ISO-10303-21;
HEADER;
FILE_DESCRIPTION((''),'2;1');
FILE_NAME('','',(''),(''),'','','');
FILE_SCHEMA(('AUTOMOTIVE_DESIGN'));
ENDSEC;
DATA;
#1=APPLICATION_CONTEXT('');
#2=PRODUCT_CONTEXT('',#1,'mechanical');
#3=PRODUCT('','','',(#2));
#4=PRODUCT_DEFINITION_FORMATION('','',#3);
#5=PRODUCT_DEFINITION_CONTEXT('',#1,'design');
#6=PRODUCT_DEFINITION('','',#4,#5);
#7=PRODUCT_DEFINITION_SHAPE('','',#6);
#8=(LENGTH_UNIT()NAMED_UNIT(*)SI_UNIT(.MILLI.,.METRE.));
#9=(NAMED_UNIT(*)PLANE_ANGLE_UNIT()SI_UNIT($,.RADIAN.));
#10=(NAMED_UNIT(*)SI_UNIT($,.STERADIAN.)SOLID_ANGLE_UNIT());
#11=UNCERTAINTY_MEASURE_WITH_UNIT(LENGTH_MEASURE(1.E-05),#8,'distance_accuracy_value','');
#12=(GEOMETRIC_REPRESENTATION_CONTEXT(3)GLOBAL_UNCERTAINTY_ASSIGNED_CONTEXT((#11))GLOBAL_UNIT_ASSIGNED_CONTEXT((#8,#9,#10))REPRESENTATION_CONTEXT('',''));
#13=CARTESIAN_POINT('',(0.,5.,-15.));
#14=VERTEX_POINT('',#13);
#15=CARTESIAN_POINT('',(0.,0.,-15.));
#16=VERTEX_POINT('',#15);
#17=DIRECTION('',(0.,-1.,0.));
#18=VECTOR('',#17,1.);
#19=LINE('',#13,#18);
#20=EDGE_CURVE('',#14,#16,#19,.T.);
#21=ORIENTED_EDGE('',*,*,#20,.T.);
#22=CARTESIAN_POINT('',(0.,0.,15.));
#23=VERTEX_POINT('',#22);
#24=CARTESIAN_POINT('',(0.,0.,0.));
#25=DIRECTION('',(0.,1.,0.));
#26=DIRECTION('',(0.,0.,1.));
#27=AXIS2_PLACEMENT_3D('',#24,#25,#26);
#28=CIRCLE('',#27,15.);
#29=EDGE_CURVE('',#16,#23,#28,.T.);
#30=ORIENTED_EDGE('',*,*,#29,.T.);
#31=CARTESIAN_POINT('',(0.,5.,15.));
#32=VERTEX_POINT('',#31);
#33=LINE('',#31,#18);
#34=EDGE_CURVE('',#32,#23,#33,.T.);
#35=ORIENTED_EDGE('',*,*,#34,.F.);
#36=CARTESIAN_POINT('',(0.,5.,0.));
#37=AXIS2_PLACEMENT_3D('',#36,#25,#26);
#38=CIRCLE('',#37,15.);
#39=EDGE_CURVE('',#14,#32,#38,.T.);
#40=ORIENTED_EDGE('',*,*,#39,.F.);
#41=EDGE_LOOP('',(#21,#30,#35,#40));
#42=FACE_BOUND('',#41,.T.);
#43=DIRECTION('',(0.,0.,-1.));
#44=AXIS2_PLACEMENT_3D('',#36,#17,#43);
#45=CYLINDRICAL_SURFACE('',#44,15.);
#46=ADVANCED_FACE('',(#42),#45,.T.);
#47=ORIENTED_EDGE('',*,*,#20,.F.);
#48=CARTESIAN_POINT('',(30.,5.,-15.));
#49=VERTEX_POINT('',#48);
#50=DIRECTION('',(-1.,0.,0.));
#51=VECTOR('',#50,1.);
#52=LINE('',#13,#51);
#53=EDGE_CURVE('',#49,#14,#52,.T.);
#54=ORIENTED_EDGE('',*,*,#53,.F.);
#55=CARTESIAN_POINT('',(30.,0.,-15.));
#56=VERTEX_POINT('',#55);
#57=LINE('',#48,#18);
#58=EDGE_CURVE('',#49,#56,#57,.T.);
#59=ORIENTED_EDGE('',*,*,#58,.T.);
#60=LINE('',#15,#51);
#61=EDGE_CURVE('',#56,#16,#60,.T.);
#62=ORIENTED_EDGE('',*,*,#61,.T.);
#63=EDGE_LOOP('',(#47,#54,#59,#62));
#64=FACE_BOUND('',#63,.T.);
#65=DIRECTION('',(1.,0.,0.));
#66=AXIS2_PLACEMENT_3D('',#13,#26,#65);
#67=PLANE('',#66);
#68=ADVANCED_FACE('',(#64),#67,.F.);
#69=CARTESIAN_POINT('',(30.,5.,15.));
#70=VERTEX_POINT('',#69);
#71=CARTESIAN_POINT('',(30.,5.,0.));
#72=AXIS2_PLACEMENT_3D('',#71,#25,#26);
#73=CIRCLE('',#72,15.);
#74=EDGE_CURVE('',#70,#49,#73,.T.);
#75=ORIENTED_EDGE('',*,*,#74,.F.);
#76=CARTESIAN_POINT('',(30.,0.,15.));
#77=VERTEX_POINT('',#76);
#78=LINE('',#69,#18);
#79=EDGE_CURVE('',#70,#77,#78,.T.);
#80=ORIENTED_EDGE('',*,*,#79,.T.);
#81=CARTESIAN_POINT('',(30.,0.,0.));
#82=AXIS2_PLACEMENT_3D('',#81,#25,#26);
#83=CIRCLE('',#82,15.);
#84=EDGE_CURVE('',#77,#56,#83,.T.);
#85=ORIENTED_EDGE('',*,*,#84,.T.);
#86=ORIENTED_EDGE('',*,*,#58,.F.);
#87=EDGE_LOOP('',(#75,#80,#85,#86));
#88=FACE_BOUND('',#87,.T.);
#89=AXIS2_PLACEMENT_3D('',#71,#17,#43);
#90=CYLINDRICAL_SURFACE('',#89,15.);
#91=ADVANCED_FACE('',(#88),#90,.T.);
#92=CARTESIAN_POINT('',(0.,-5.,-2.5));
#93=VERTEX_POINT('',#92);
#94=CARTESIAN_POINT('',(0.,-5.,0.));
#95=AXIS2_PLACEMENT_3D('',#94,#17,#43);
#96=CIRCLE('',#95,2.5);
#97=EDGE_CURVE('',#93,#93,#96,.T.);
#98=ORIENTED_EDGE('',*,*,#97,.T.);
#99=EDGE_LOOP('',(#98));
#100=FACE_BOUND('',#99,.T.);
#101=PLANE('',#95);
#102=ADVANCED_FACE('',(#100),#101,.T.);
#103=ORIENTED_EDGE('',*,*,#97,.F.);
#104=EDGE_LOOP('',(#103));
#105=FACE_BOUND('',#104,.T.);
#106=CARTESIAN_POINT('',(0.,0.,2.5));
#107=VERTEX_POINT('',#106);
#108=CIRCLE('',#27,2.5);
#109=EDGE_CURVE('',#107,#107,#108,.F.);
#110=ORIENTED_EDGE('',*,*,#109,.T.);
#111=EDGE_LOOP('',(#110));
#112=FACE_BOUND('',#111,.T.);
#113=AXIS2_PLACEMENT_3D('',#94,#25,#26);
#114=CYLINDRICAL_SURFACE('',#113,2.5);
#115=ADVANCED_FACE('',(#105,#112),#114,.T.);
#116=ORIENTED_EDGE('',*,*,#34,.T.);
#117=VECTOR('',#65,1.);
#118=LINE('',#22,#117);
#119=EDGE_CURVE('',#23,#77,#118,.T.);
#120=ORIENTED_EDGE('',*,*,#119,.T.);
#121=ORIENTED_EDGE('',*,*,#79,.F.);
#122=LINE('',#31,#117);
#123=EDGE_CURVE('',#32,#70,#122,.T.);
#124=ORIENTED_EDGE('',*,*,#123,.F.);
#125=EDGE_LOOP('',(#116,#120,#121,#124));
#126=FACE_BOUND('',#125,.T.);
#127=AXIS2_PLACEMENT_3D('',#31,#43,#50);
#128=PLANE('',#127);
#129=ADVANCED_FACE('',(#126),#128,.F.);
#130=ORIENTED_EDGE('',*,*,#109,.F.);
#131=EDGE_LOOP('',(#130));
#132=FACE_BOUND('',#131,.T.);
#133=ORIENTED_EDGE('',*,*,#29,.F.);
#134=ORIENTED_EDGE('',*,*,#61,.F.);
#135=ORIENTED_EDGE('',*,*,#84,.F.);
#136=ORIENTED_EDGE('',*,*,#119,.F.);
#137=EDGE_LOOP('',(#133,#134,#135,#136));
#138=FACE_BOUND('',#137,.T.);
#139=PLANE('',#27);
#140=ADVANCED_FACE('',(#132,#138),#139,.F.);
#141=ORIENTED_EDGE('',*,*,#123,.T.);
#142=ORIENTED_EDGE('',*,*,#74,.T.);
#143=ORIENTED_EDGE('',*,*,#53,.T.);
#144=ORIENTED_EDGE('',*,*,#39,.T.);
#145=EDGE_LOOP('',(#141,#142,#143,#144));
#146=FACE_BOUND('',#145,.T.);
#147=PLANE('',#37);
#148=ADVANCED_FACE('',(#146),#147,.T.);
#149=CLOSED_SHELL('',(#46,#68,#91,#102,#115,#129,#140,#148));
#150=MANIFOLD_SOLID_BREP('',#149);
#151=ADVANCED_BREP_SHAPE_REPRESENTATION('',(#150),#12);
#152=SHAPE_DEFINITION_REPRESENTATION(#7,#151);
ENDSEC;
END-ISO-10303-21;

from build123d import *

# Parameters (mm, degrees)
EXTRUDE_1_DEPTH = 5
SKETCH_2_R      = 2.5
EXTRUDE_2_DEPTH = 5


with BuildPart() as part:
    # 草图1 → 凸台-拉伸1 (new body)
    with BuildSketch(Plane(origin=(0, 0, 0), x_dir=(1, 0, 0), z_dir=(0, 1, 0))):
        with BuildLine():
            Line((0, 15), (30, 15))
            ThreePointArc((30, 15), (45, 0), (30, -15))
            Line((30, -15), (0, -15))
            ThreePointArc((0, -15), (-15, 0), (0, 15))
        make_face()
    extrude(amount=EXTRUDE_1_DEPTH)

    # 草图2 → 凸台-拉伸2 (add)
    with BuildSketch(Plane.XZ):
        with Locations(Location((0, 0, 0), (0, 0, 90))):
            Circle(SKETCH_2_R)
    extrude(amount=EXTRUDE_2_DEPTH)


solid = part.part
